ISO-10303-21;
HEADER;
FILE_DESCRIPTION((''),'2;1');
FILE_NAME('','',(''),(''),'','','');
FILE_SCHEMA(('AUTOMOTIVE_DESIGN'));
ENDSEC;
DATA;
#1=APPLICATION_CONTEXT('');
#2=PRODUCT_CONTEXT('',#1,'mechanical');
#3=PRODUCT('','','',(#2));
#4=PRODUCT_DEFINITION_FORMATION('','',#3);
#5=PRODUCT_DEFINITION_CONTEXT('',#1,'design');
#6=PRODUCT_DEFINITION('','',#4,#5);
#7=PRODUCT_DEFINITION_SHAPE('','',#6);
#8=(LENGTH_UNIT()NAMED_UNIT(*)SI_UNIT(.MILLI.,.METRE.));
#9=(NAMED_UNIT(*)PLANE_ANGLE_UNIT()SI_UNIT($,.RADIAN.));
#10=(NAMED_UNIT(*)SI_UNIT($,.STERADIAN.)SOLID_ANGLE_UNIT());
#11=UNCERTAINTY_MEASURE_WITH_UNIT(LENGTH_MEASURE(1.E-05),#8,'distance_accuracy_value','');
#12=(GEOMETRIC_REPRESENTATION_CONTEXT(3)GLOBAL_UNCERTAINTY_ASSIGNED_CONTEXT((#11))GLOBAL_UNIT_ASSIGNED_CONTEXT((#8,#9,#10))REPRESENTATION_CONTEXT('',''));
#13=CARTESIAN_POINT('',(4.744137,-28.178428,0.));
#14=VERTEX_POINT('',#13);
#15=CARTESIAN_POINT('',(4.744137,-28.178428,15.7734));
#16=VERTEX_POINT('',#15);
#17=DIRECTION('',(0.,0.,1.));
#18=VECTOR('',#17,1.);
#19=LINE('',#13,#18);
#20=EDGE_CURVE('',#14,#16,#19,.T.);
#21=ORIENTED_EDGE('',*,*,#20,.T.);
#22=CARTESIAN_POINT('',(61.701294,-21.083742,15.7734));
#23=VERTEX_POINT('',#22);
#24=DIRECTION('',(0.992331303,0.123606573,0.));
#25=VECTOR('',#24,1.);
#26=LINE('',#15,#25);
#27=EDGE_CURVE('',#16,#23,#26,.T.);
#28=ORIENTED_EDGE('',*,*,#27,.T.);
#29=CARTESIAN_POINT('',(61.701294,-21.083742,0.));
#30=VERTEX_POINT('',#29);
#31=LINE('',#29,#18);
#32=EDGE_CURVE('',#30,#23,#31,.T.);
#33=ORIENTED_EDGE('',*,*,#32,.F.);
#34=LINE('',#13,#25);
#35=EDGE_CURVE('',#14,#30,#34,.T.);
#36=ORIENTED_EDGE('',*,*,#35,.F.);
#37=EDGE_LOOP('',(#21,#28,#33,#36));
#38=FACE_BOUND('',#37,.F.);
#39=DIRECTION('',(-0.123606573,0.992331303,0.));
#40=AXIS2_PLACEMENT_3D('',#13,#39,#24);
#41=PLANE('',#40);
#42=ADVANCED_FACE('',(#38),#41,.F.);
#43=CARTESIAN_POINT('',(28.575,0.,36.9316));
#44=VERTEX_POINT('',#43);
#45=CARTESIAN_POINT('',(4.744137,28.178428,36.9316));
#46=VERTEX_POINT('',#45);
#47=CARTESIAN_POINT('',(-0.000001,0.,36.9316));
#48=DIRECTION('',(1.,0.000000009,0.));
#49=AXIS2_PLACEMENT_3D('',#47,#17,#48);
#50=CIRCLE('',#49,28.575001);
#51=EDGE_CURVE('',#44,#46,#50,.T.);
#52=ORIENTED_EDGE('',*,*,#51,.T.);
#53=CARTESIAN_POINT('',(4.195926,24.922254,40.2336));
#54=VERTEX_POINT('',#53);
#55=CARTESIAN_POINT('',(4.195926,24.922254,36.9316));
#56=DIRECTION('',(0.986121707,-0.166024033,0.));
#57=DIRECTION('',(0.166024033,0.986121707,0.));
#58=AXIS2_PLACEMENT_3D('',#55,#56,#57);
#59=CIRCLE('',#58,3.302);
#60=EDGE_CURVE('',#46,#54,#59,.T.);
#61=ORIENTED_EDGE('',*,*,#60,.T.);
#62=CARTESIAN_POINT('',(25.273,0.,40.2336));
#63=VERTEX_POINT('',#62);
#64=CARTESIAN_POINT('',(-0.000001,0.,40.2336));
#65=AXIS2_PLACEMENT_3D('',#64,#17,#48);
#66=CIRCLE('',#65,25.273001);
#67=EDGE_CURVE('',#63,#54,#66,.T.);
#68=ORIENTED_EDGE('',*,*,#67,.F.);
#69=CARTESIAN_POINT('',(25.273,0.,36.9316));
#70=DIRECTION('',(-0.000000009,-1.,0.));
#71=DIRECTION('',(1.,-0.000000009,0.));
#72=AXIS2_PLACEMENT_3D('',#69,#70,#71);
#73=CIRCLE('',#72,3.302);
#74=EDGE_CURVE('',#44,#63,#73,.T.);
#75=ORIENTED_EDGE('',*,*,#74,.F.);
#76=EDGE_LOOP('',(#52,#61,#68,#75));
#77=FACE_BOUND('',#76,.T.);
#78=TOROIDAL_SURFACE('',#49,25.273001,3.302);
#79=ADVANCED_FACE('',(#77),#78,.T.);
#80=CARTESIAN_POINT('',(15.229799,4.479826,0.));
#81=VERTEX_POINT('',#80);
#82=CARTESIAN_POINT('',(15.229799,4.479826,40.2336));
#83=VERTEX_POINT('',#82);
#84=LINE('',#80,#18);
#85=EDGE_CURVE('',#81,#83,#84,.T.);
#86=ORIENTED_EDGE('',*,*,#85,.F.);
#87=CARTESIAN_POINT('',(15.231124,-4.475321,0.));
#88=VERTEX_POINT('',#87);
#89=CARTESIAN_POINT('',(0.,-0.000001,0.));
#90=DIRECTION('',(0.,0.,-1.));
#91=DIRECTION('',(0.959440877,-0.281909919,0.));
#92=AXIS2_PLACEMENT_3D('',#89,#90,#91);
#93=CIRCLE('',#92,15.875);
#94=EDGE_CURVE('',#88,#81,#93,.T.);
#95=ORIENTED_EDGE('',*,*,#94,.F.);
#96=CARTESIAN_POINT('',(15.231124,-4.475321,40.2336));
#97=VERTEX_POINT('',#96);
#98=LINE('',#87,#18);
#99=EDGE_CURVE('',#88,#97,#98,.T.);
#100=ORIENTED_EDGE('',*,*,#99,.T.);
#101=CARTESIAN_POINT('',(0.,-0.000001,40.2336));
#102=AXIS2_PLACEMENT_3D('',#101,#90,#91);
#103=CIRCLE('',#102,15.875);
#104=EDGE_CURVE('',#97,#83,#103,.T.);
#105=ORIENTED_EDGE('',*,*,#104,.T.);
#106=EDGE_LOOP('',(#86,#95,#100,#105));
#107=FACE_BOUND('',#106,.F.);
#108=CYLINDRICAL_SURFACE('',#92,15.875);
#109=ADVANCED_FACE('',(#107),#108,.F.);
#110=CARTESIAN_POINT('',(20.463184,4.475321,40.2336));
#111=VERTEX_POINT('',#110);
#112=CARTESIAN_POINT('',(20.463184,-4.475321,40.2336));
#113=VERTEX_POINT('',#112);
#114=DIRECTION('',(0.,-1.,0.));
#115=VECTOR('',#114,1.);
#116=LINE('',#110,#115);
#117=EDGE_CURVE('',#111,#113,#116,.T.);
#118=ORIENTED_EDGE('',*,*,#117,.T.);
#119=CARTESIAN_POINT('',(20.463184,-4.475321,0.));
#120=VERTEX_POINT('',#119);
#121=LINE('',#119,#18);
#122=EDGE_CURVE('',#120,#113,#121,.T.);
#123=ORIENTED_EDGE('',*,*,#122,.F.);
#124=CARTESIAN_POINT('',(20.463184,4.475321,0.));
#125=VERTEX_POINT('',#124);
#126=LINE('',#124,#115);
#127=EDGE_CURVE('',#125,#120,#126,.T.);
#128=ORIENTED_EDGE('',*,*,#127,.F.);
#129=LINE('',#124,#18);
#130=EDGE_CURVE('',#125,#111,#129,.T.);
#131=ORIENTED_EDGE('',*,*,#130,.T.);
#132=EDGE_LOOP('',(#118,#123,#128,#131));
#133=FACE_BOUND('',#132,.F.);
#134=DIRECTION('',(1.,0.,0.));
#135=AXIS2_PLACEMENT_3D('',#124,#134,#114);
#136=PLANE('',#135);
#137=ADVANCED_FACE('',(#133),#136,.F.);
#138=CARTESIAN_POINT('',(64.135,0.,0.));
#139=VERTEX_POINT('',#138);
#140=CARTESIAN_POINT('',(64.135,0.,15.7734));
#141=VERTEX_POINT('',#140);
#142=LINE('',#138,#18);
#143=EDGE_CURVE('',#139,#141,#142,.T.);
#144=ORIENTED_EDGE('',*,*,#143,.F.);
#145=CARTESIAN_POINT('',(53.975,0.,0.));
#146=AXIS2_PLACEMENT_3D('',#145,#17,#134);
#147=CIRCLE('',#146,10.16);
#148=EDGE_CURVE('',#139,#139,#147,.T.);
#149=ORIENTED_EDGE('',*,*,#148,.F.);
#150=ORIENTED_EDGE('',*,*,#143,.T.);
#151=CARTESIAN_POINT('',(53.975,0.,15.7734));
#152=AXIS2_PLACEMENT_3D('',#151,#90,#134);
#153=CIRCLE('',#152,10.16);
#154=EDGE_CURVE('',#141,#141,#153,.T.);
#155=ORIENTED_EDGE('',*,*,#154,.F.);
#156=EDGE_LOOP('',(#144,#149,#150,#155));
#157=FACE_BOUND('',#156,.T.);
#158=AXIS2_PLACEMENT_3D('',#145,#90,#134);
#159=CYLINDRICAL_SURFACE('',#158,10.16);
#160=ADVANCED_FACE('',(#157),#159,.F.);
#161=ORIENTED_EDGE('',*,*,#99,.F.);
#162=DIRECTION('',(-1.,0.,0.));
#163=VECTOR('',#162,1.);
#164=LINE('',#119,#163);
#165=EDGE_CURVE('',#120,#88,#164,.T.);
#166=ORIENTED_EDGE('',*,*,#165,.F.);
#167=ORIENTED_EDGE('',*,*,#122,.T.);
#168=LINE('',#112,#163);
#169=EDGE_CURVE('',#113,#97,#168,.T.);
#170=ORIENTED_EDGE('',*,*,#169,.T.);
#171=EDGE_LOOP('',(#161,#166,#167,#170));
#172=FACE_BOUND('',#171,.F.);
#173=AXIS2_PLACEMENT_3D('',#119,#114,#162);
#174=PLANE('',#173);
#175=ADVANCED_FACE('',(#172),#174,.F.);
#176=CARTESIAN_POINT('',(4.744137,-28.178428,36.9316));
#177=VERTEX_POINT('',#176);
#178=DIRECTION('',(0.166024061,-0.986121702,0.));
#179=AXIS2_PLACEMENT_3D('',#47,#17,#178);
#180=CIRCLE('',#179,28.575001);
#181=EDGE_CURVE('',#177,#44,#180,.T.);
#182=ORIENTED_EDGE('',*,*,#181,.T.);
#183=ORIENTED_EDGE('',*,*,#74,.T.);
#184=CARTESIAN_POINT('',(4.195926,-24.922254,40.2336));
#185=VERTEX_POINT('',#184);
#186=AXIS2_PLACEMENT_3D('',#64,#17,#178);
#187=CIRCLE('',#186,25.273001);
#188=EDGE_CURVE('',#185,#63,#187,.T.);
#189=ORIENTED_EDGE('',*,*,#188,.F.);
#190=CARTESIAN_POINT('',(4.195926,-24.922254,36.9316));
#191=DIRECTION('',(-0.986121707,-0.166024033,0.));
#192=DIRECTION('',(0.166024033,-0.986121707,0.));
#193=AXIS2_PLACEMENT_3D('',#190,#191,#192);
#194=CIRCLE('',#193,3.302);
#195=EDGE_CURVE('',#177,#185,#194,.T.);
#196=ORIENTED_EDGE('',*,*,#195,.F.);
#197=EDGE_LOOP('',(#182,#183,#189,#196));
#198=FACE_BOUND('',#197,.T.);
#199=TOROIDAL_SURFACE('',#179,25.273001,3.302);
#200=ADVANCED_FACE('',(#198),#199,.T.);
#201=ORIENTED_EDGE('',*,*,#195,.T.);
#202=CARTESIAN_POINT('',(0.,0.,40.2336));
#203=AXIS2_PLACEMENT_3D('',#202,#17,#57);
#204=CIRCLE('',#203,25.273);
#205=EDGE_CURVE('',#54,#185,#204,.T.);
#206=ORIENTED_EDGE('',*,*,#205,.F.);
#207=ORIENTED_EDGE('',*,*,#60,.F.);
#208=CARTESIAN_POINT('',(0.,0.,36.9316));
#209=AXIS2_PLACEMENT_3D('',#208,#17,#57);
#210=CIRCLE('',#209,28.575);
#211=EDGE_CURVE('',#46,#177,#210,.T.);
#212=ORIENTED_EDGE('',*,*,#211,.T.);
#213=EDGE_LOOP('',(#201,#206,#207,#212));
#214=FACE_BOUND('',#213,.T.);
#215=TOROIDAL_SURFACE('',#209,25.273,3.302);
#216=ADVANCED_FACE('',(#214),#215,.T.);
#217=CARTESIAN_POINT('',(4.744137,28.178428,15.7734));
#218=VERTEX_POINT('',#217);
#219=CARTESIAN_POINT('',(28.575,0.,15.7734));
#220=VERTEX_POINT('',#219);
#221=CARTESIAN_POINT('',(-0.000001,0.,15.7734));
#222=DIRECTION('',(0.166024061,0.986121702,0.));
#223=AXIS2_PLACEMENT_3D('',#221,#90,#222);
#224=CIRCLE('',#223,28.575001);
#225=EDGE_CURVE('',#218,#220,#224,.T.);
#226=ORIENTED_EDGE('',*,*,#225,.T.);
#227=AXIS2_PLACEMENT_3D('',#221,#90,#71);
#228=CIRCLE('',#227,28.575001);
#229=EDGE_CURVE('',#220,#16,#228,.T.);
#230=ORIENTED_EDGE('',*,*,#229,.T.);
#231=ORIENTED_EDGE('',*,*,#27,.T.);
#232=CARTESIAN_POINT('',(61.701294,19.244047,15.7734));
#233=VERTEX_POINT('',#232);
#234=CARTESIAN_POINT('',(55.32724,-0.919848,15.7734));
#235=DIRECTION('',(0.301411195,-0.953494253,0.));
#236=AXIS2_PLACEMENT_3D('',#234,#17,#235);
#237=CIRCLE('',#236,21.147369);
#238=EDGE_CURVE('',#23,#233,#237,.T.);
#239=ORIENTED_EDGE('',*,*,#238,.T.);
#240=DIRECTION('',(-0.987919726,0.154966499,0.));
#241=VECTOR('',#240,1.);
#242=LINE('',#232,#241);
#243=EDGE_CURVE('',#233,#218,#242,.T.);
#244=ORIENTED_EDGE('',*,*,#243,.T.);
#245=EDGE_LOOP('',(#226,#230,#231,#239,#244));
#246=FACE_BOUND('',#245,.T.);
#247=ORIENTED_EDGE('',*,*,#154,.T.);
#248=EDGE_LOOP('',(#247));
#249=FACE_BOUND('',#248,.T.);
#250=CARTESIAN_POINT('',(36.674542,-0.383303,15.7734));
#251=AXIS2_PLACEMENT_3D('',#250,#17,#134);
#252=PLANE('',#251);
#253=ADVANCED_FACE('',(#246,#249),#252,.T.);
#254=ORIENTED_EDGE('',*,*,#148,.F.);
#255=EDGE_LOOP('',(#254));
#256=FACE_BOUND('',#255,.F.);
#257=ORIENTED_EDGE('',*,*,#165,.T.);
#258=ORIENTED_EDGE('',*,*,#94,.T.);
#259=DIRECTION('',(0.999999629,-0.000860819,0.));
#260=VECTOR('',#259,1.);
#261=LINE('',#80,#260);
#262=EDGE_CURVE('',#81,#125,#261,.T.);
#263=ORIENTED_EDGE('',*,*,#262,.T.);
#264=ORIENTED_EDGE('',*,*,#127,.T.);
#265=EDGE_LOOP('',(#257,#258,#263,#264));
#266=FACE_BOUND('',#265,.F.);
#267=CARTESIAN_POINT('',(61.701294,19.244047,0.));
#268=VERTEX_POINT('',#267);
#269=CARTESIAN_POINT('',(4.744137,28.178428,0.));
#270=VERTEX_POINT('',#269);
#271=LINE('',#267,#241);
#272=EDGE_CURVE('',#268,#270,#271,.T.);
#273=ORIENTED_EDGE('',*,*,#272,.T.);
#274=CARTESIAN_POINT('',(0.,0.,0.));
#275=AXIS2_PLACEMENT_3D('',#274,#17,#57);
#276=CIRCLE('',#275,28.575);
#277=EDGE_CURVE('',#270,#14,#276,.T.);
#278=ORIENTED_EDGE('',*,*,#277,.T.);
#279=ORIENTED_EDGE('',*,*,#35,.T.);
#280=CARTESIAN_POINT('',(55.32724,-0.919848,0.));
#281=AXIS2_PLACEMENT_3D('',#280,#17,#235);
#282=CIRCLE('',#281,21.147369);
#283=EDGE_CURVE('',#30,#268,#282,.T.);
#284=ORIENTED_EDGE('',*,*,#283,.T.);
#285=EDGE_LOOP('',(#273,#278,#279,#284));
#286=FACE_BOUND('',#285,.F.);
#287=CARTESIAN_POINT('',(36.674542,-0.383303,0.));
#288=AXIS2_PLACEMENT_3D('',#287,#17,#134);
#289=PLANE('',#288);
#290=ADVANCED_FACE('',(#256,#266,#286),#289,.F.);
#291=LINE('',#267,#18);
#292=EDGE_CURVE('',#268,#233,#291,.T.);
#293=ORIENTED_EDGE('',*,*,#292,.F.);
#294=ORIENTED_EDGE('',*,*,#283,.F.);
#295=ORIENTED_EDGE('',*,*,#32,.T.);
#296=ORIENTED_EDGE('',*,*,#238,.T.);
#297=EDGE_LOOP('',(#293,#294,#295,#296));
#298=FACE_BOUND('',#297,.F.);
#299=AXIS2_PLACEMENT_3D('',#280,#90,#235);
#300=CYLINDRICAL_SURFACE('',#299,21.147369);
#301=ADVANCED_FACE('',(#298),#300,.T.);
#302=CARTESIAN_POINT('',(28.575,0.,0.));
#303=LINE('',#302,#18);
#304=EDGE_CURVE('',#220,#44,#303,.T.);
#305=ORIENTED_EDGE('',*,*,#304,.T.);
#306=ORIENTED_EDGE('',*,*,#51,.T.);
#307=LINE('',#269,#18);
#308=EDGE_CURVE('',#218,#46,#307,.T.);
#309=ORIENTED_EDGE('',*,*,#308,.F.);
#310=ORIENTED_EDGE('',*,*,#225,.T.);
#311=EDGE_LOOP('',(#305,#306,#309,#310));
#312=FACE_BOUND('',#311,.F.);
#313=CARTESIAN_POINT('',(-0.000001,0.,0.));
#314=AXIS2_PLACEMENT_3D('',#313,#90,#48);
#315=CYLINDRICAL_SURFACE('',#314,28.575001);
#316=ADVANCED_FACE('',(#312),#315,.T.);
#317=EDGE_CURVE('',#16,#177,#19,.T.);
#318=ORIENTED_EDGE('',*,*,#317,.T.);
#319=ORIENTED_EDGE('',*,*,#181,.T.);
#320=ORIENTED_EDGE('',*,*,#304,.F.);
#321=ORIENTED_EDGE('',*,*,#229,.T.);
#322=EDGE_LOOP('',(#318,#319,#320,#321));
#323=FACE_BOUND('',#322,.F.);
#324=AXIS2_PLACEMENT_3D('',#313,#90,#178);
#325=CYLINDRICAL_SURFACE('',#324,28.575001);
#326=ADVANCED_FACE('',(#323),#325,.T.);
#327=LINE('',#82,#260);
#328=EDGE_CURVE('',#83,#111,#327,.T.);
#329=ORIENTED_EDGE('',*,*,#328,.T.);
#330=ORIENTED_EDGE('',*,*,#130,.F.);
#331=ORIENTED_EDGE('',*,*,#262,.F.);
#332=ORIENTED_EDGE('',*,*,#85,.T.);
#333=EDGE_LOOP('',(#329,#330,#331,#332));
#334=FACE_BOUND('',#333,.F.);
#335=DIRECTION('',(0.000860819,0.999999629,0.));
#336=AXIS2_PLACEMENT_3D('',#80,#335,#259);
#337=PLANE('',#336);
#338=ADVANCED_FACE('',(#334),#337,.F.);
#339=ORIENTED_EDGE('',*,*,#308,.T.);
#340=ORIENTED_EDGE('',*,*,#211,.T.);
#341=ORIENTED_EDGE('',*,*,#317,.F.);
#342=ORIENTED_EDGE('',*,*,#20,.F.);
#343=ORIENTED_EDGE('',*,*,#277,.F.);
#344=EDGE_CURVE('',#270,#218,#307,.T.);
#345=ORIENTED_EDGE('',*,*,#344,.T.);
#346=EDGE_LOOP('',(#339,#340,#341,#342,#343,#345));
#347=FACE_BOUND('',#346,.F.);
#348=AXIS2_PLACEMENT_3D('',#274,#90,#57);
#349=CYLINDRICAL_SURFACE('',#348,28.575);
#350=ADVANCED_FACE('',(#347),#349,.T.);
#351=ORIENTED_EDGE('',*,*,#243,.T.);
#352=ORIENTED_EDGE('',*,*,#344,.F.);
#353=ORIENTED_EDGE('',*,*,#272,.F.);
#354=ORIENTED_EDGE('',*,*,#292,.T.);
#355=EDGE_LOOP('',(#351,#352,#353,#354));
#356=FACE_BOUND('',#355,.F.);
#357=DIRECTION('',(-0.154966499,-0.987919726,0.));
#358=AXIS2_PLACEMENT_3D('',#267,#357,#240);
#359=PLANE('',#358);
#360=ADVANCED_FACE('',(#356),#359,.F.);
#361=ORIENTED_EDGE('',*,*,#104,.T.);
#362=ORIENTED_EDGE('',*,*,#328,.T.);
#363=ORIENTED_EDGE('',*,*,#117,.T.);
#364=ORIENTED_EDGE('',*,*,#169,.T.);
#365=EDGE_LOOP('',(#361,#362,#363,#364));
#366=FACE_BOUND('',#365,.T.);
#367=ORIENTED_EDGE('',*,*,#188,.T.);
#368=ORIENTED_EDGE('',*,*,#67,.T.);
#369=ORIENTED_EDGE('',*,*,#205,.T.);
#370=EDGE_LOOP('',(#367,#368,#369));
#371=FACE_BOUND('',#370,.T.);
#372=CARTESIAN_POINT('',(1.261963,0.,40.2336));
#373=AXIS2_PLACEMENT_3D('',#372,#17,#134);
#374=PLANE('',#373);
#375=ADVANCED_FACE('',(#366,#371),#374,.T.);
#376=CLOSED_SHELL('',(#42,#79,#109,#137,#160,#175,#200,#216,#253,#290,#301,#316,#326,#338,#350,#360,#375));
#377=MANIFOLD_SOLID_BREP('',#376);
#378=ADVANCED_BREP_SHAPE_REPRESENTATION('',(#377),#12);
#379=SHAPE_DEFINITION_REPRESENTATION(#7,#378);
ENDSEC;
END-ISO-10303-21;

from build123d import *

# Parameters (mm, degrees)
F2_DEPTH = 40.2336
F3_DEPTH = 15.7734
F4_R     = 3.302
F1_R     = 10.16
F5_DEPTH = 40.64


with BuildPart() as f2:
    # F0 (on Top) → F2 (new body)
    with BuildSketch(Plane.XY):
        with BuildLine():
            ThreePointArc((4.744137, -28.178428), (21.818505, -18.452194), (28.575, 0))
            ThreePointArc((28.575, 0), (21.818505, 18.452194), (4.744137, 28.178428))
            ThreePointArc((4.744137, 28.178428), (-28.575, 0), (4.744137, -28.178428))
        make_face()
        with BuildLine():
            ThreePointArc((15.231124, -4.475321), (-15.875, -0.002348), (15.229799, 4.479826))
            Line((15.229799, 4.479826), (20.463184, 4.475321))
            Line((20.463184, 4.475321), (20.463184, -4.475321))
            Line((20.463184, -4.475321), (15.231124, -4.475321))
        make_face(mode=Mode.SUBTRACT)
    extrude(amount=F2_DEPTH)

    # F0 (on Top) → F3 (join)
    with BuildSketch(Plane.XY):
        with BuildLine():
            ThreePointArc((4.744137, 28.178428), (21.818505, 18.452194), (28.575, 0))
            ThreePointArc((28.575, 0), (21.818505, -18.452194), (4.744137, -28.178428))
            Line((4.744137, -28.178428), (61.701294, -21.083742))
            ThreePointArc((61.701294, -21.083742), (76.474609, -0.919848), (61.701294, 19.244047))
            Line((61.701294, 19.244047), (4.744137, 28.178428))
        make_face()
    extrude(amount=F3_DEPTH)

    # F4
    f4_edges = [f2.edges().sort_by_distance(p)[0] for p in [
        (-4.744137, 28.178428, 40.2336),
    ]]
    fillet(f4_edges, radius=F4_R)

    # F1 (on Top) → F5 (cut)
    with BuildSketch(Plane.XY):
        with Locations((53.975, 0)):
            Circle(F1_R)
    extrude(amount=F5_DEPTH, mode=Mode.SUBTRACT)


solid = f2.part
